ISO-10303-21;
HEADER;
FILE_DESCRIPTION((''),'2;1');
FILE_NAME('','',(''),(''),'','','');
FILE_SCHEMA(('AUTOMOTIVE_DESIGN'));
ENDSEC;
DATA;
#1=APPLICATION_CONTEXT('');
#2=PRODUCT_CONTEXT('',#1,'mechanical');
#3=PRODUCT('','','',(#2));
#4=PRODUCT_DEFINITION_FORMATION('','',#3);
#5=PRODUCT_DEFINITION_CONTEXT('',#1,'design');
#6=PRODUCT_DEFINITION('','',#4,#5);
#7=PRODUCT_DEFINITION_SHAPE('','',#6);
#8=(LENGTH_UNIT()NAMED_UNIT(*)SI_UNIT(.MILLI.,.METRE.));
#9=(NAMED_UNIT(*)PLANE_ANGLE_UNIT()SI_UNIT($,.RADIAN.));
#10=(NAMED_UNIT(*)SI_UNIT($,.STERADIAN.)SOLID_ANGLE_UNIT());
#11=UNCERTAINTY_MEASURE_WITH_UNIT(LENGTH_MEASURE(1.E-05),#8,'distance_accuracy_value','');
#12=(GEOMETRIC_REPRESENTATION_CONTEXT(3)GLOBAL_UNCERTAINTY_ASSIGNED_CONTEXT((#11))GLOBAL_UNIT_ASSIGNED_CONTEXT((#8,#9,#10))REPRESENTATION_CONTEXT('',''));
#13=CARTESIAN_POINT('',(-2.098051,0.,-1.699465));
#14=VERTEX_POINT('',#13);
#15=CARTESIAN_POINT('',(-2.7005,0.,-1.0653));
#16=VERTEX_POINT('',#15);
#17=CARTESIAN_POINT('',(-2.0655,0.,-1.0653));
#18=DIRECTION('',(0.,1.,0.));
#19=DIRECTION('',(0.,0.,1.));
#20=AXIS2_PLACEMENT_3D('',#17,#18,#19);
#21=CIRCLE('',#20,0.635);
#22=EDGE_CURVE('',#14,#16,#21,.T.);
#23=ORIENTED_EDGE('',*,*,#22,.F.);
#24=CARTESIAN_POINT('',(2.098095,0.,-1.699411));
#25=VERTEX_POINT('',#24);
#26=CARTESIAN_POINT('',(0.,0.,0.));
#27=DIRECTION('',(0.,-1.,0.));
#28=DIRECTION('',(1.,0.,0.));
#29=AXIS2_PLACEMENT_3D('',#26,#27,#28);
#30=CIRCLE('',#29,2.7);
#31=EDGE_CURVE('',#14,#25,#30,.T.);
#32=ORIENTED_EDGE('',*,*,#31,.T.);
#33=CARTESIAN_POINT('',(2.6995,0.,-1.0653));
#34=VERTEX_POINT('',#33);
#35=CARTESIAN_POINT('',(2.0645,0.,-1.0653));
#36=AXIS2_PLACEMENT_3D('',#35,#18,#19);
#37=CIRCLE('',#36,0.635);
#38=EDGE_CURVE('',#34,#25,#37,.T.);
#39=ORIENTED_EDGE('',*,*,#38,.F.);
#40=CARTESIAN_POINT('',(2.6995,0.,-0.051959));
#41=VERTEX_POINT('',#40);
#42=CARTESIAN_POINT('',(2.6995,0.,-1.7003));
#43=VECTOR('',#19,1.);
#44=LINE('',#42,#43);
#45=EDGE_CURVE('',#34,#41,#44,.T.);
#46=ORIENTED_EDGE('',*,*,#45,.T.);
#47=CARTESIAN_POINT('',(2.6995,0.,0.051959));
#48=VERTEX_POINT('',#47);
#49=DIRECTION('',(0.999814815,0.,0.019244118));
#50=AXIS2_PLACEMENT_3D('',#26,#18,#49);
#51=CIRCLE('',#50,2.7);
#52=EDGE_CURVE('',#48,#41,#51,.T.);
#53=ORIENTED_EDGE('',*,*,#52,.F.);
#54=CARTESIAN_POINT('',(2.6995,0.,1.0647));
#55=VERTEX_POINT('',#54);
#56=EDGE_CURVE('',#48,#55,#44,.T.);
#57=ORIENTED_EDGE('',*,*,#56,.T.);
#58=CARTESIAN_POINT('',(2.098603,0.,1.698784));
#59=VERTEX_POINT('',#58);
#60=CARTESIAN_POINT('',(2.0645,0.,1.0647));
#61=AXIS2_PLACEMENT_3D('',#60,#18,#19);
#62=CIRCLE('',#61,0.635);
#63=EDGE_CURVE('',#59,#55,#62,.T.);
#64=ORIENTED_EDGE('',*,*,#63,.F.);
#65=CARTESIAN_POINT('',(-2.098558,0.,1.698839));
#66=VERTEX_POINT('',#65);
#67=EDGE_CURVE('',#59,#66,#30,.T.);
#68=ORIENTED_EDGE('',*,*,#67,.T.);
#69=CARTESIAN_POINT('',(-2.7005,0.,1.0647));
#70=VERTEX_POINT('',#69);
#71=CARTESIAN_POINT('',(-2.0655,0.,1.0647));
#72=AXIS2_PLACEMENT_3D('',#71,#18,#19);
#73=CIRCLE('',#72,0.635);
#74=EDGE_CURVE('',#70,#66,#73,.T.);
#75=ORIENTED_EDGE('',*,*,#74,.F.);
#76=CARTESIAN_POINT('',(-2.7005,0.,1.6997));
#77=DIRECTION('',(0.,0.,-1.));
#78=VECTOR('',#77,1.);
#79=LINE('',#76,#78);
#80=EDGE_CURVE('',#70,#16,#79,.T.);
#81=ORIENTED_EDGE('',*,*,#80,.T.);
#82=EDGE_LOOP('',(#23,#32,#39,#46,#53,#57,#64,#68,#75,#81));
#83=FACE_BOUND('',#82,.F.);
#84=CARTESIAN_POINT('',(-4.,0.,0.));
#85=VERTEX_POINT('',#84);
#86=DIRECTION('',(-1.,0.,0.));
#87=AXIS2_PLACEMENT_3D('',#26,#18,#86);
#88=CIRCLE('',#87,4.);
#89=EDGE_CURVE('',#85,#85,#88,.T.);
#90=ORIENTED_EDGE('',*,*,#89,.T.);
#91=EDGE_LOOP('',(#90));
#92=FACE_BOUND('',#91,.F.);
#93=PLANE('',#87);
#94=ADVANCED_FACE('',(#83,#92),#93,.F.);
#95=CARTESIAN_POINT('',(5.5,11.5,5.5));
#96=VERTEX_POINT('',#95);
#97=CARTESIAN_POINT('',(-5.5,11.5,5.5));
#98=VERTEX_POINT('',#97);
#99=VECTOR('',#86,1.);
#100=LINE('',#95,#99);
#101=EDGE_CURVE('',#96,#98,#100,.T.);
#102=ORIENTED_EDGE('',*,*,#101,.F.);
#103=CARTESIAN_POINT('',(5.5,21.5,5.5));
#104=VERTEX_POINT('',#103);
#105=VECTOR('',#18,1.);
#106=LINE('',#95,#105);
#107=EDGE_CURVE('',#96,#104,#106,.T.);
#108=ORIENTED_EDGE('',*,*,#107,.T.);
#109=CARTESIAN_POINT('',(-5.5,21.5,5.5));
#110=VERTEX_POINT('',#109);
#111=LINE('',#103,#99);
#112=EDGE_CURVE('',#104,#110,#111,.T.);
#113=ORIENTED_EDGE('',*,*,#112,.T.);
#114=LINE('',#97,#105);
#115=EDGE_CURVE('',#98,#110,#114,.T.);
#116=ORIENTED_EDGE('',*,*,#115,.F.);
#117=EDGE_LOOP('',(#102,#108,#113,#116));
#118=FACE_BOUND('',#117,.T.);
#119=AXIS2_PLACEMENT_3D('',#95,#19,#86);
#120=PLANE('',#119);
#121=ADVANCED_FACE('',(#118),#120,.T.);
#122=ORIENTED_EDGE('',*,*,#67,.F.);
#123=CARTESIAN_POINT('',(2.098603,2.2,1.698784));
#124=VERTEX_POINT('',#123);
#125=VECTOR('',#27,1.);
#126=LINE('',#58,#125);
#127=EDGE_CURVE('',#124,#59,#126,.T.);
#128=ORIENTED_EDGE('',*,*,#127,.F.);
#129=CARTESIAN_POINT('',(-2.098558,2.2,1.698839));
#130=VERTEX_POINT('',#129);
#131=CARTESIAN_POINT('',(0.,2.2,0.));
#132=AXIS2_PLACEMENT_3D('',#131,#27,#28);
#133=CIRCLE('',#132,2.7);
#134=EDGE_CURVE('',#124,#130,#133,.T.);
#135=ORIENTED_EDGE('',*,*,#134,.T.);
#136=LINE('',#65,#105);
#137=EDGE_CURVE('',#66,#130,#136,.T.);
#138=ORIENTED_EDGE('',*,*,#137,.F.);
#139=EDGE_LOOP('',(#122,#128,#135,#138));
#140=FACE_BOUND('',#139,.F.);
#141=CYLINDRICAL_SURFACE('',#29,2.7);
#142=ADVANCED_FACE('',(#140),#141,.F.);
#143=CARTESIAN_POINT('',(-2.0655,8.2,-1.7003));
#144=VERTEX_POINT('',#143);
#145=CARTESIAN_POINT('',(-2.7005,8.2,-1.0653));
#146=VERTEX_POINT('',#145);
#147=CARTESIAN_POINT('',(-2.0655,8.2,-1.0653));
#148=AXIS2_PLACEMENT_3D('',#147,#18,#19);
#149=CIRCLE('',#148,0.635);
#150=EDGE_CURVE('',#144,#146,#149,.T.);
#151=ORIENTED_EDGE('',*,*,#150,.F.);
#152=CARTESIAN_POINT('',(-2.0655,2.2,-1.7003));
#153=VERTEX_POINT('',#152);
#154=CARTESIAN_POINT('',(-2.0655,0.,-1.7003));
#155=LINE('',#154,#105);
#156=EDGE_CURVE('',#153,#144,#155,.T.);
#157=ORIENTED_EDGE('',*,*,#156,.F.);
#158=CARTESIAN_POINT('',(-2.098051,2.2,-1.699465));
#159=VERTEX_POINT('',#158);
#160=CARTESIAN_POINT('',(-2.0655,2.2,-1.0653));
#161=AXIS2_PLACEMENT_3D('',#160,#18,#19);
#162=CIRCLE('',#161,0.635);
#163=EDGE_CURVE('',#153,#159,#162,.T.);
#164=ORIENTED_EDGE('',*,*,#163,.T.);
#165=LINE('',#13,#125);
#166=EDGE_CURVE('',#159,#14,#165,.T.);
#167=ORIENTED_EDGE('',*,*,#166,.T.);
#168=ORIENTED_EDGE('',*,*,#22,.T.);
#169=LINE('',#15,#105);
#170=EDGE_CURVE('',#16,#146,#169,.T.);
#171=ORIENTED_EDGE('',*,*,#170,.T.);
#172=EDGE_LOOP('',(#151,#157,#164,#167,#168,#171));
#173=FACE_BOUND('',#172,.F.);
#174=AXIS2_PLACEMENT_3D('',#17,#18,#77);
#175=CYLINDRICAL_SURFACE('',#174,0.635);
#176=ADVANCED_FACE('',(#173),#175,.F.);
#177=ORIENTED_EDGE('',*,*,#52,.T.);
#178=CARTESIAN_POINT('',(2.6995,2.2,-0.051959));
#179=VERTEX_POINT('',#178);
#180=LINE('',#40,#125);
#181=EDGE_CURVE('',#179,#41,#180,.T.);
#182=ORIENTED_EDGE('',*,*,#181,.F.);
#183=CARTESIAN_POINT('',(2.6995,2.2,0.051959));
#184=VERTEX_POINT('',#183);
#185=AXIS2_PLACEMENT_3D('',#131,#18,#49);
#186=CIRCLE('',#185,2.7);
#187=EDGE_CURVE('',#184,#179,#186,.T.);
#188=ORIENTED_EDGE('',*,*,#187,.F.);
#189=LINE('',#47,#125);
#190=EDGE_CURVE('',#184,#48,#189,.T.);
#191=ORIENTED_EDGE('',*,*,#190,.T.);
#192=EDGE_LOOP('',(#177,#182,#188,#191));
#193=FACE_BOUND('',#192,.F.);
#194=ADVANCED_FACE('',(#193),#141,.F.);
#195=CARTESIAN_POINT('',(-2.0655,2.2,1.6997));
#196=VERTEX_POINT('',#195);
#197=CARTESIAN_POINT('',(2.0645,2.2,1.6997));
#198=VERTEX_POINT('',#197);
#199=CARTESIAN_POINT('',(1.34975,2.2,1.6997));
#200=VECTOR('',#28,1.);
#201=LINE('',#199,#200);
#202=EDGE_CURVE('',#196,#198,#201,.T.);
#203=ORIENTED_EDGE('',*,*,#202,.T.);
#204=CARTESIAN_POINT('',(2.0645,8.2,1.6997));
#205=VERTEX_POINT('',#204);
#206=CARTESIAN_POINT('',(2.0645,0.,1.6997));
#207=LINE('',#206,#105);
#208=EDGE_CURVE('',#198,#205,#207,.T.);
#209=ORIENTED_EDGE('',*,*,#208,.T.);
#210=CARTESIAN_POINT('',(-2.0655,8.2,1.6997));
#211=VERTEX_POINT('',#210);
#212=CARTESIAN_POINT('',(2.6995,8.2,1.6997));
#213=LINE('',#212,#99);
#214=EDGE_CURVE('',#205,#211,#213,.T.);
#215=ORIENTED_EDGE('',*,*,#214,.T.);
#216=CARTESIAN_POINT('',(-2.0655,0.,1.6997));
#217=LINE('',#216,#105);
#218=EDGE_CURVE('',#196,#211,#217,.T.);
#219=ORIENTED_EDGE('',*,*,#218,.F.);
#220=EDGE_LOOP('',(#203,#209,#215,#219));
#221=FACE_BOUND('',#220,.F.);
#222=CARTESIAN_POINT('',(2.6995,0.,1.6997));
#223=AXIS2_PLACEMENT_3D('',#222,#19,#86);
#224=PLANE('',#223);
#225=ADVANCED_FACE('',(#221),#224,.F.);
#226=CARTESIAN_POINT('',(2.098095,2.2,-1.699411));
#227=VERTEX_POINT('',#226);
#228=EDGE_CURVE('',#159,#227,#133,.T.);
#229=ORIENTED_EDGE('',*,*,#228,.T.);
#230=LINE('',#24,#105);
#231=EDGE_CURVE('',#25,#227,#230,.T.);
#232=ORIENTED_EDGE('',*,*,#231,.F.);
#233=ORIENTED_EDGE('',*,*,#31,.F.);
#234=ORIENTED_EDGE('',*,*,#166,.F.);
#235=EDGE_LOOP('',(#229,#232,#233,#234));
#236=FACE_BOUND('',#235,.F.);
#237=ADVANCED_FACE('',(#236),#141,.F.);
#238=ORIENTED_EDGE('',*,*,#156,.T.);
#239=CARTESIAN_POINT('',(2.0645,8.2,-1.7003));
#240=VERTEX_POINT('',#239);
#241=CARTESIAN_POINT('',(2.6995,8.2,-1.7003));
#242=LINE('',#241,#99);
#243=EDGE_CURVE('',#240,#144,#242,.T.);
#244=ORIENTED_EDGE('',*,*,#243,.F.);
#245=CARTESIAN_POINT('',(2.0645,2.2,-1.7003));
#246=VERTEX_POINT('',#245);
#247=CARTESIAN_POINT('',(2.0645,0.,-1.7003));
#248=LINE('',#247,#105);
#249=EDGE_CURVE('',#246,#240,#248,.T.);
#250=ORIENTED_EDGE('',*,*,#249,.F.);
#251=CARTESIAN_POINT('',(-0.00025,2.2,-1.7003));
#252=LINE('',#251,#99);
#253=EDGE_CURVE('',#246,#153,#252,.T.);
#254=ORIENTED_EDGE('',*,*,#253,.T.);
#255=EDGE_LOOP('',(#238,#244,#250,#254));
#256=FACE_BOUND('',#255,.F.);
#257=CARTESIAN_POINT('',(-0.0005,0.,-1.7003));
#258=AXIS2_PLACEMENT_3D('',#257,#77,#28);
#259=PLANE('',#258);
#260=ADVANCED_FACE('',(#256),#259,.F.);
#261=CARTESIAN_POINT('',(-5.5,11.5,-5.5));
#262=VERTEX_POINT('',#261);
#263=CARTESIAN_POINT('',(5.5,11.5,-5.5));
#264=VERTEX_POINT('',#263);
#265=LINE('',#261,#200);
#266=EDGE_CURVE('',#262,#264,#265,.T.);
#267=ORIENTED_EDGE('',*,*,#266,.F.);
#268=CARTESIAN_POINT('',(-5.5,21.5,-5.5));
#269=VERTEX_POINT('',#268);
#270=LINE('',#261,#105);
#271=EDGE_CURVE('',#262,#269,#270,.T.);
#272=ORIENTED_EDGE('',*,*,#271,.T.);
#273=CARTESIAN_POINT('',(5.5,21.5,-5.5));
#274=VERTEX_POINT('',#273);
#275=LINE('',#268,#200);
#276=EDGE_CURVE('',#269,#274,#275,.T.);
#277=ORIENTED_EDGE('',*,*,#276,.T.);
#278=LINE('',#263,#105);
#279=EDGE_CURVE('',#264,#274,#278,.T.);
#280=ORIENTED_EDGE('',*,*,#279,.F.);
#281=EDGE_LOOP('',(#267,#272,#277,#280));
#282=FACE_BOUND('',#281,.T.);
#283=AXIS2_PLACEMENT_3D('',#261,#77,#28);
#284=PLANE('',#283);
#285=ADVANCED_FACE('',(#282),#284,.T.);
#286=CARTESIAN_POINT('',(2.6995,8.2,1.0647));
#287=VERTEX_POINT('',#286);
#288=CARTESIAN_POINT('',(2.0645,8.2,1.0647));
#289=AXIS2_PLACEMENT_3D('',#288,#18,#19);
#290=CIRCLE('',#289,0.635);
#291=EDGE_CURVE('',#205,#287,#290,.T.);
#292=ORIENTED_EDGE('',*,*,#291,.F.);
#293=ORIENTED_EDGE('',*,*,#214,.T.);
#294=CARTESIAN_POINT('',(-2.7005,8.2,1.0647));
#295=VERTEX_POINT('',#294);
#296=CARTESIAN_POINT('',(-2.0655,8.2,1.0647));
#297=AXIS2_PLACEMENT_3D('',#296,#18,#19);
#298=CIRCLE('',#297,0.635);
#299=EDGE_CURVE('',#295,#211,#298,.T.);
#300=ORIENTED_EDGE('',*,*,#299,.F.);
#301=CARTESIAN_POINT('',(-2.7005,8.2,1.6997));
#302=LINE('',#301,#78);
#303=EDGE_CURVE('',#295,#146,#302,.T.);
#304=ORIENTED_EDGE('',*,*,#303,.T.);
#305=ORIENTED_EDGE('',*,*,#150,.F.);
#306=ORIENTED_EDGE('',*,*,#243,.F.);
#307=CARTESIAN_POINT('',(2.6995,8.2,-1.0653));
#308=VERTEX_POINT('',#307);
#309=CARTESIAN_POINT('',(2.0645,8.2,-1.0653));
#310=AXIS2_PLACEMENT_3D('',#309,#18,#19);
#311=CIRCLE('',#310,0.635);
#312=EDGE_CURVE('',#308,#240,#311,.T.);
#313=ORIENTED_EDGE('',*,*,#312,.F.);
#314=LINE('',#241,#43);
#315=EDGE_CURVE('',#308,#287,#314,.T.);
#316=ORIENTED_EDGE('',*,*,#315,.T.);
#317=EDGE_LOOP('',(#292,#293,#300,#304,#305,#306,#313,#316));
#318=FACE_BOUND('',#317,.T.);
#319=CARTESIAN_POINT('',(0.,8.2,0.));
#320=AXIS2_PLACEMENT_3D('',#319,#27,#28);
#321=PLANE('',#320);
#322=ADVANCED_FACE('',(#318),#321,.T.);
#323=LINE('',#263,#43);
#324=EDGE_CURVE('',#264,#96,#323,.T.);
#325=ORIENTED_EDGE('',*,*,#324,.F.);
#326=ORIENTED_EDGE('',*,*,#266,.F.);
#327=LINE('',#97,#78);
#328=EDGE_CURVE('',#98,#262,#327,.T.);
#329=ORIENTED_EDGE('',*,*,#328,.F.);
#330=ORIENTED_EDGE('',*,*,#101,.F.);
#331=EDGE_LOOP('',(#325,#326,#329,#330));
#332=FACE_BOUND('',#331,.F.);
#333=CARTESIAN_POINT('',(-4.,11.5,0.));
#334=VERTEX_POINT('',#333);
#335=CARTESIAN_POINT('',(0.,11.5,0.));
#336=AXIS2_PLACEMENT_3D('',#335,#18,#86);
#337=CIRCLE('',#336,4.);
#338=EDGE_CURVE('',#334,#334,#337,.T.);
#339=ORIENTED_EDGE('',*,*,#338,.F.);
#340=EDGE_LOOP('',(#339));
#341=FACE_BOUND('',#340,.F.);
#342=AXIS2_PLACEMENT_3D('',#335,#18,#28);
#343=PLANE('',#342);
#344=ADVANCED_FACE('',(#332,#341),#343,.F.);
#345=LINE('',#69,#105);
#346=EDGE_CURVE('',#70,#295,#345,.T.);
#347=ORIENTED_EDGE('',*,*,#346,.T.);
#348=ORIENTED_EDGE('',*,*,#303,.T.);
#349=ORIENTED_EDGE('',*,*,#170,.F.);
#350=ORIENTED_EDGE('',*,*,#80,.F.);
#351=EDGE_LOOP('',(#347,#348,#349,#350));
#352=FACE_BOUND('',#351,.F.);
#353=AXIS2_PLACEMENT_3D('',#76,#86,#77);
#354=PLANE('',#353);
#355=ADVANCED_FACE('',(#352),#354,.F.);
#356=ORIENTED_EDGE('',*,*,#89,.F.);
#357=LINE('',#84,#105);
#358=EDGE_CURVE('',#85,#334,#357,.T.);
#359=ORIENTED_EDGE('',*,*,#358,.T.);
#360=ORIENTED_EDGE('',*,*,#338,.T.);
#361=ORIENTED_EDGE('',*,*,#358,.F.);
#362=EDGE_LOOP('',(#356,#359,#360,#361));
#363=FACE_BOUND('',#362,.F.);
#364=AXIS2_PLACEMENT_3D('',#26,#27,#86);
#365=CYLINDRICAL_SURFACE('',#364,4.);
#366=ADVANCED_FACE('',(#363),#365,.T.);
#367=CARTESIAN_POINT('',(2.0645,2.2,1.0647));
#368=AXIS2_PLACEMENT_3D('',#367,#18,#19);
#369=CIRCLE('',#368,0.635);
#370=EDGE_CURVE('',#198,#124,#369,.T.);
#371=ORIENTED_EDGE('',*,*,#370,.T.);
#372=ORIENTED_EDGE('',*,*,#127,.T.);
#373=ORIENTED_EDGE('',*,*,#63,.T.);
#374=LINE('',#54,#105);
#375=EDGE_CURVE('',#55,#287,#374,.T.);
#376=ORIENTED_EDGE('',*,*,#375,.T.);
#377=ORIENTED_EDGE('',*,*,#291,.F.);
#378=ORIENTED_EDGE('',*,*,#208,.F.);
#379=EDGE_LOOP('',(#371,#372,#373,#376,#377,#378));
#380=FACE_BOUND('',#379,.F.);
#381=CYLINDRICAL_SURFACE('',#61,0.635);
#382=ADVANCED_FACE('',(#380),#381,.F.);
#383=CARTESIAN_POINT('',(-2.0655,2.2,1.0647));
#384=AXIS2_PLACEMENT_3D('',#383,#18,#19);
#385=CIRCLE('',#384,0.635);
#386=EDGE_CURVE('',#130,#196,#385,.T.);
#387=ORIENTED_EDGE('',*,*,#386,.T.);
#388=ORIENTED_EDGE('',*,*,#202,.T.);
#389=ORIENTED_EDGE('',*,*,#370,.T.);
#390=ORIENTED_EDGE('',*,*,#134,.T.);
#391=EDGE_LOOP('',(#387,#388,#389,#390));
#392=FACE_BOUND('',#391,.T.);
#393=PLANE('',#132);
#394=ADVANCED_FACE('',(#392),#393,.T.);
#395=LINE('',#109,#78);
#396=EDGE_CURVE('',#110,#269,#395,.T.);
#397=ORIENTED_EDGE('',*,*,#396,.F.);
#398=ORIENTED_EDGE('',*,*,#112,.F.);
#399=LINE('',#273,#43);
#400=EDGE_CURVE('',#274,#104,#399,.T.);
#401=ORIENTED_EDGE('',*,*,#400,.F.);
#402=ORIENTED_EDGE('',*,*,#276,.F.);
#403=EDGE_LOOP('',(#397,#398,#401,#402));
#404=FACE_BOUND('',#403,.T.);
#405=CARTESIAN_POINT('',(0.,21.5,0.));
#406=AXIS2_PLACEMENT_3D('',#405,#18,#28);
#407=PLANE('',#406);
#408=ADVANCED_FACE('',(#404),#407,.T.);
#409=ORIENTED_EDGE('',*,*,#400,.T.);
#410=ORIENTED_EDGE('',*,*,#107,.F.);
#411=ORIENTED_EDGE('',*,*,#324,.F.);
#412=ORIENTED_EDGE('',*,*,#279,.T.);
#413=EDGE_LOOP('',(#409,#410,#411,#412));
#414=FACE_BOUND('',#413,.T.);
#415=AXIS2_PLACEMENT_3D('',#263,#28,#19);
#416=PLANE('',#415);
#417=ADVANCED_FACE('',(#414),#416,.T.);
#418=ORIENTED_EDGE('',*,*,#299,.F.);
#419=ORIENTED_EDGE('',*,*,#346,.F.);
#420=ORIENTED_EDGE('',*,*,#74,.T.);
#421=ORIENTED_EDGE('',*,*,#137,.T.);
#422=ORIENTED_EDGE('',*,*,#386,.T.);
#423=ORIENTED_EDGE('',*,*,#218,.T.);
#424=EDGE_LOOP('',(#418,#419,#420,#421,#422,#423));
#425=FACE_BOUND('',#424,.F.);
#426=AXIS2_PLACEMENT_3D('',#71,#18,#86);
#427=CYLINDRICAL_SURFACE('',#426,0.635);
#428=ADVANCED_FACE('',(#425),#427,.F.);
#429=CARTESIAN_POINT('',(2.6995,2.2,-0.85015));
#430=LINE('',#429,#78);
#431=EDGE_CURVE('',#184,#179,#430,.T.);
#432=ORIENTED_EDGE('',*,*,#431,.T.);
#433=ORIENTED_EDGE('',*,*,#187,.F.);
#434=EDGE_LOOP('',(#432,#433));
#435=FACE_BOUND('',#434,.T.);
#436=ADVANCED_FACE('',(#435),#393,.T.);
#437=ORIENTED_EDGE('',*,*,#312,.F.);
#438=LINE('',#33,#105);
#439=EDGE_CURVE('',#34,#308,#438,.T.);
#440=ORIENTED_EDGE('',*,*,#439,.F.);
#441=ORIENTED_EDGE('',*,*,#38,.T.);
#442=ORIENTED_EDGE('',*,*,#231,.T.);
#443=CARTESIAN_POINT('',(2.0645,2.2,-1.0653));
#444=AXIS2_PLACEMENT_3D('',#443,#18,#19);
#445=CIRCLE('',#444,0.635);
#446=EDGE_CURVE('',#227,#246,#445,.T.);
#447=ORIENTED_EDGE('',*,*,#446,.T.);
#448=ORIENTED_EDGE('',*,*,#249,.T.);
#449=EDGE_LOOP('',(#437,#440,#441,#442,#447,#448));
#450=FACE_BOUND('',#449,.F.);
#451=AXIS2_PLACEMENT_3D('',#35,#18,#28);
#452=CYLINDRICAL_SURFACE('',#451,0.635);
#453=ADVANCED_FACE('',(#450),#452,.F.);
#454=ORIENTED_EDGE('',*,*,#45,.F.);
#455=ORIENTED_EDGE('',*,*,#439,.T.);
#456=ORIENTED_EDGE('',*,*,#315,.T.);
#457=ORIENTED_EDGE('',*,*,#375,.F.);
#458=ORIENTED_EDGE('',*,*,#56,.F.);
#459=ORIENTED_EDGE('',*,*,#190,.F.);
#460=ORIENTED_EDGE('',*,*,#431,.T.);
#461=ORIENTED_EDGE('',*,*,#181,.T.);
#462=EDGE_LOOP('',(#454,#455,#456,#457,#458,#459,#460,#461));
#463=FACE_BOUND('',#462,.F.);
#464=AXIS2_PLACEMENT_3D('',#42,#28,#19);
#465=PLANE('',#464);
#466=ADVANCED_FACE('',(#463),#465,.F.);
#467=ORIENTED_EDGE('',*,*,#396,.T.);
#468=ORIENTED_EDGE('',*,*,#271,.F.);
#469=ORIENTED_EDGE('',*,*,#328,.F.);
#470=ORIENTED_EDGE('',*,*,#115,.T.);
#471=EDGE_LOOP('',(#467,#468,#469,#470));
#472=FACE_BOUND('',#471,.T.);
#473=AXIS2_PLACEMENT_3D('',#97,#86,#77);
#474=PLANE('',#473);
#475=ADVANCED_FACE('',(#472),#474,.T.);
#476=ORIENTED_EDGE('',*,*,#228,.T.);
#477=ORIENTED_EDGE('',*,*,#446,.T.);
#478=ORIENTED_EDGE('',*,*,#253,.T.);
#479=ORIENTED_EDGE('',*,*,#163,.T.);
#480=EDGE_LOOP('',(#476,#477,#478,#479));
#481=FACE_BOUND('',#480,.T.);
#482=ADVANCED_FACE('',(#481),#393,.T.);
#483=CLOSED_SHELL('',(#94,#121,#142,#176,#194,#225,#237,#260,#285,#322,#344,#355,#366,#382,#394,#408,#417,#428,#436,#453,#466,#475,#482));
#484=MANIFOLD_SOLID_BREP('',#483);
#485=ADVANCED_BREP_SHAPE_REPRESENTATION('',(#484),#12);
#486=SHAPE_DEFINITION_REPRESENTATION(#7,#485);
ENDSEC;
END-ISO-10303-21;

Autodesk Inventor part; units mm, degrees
ref_plane "YZ Plane" through (0, 0, 0) normal (1, 0, 0) x (0, 1, 0)
ref_plane "XZ Plane" through (0, 0, 0) normal (0, 1, 0) x (-1, 0, 0)
ref_plane "XY Plane" through (0, 0, 0) normal (0, 0, 1) x (1, 0, 0)
sketch "Sketch1" plane through (0, 0, 0) normal (0, 1, 0) x (-1, 0, 0)
  line L0 (14.5, -14.5) -> (-14.5, -14.5)
  line L1 (-14.5, -14.5) -> (-14.5, 14.5)
  line L2 (-14.5, 14.5) -> (14.5, 14.5)
  line L3 (14.5, 14.5) -> (14.5, -14.5)
  circle A0 centre (0, 0) radius 4
  dimension "d11" = 29
  dimension "d14" = 29
  dimension "d31" = 8
extrude "Extrusion1" add sketch "Sketch1" along normal blind 11.5 contours A0
sketch "Sketch2" plane through (0, 11.5, 0) normal (0, 1, 0) x (1, 0, 0)
  line L0 (-5.5, 5.5) -> (5.5, 5.5)
  line L1 (5.5, 5.5) -> (5.5, -5.5)
  line L2 (5.5, -5.5) -> (-5.5, -5.5)
  line L3 (-5.5, -5.5) -> (-5.5, 5.5)
  line L4 (14.5, 14.5) -> (-14.5, 14.5) projected
  line L5 (14.5, -14.5) -> (14.5, 14.5) projected
  line L6 (-14.5, -14.5) -> (14.5, -14.5) projected
  line L7 (-14.5, 14.5) -> (-14.5, -14.5) projected
  point P0 (0, 0)
  dimension "d15" = 9
  dimension "d16" = 9
  dimension "d17" = 9
  dimension "d18" = 9
  dimension "d32" = 11
extrude "Extrusion2" add sketch "Sketch2" along normal blind 10 contours L0 L1 L2 L3
sketch "Sketch3" plane through (0, 0, 0) normal (0, -1, 0) x (1, 0, 0)
  line L0 (-0.0005, -0.0003) -> (-0.0005, -1.7003)
  line L1 (-0.0005, -1.7003) -> (2.6995, -1.7003)
  line L2 (2.6995, -1.7003) -> (2.6995, 1.6997)
  line L3 (2.6995, 1.6997) -> (-2.7005, 1.6997)
  line L4 (-2.7005, 1.6997) -> (-2.7005, -1.7003)
  line L5 (-2.7005, -1.7003) -> (-0.0005, -1.7003)
  dimension "d42" = 1.7
  dimension "d43" = 2.7
  dimension "d44" = 3.4
  dimension "d45" = 5.4
extrude "Extrusion3" cut sketch "Sketch3" against normal blind 8.2
sketch "Sketch5" plane through (0, 0, 0) normal (0, -1, 0) x (1, 0, 0)
  circle A0 centre (0, 0) radius 2.7
  dimension "d35" = 5.4
extrude "Extrusion4" cut sketch "Sketch5" against normal blind 2.2
fillet "Fillet1" radius 0.635 4 edges at (2.6995, 4.1, 1.6997) (2.6995, 4.1, -1.7003) (-2.7005, 4.1, -1.7003) (-2.7005, 4.1, 1.6997)
equation "\"d14\" = d11"
equation "\"d16\" = d15"
equation "\"d17\" = d15"
equation "\"d18\" = d15"
equation "\"d42\" = 0.5 * d44"
properties part number "Motor_fit_check"
